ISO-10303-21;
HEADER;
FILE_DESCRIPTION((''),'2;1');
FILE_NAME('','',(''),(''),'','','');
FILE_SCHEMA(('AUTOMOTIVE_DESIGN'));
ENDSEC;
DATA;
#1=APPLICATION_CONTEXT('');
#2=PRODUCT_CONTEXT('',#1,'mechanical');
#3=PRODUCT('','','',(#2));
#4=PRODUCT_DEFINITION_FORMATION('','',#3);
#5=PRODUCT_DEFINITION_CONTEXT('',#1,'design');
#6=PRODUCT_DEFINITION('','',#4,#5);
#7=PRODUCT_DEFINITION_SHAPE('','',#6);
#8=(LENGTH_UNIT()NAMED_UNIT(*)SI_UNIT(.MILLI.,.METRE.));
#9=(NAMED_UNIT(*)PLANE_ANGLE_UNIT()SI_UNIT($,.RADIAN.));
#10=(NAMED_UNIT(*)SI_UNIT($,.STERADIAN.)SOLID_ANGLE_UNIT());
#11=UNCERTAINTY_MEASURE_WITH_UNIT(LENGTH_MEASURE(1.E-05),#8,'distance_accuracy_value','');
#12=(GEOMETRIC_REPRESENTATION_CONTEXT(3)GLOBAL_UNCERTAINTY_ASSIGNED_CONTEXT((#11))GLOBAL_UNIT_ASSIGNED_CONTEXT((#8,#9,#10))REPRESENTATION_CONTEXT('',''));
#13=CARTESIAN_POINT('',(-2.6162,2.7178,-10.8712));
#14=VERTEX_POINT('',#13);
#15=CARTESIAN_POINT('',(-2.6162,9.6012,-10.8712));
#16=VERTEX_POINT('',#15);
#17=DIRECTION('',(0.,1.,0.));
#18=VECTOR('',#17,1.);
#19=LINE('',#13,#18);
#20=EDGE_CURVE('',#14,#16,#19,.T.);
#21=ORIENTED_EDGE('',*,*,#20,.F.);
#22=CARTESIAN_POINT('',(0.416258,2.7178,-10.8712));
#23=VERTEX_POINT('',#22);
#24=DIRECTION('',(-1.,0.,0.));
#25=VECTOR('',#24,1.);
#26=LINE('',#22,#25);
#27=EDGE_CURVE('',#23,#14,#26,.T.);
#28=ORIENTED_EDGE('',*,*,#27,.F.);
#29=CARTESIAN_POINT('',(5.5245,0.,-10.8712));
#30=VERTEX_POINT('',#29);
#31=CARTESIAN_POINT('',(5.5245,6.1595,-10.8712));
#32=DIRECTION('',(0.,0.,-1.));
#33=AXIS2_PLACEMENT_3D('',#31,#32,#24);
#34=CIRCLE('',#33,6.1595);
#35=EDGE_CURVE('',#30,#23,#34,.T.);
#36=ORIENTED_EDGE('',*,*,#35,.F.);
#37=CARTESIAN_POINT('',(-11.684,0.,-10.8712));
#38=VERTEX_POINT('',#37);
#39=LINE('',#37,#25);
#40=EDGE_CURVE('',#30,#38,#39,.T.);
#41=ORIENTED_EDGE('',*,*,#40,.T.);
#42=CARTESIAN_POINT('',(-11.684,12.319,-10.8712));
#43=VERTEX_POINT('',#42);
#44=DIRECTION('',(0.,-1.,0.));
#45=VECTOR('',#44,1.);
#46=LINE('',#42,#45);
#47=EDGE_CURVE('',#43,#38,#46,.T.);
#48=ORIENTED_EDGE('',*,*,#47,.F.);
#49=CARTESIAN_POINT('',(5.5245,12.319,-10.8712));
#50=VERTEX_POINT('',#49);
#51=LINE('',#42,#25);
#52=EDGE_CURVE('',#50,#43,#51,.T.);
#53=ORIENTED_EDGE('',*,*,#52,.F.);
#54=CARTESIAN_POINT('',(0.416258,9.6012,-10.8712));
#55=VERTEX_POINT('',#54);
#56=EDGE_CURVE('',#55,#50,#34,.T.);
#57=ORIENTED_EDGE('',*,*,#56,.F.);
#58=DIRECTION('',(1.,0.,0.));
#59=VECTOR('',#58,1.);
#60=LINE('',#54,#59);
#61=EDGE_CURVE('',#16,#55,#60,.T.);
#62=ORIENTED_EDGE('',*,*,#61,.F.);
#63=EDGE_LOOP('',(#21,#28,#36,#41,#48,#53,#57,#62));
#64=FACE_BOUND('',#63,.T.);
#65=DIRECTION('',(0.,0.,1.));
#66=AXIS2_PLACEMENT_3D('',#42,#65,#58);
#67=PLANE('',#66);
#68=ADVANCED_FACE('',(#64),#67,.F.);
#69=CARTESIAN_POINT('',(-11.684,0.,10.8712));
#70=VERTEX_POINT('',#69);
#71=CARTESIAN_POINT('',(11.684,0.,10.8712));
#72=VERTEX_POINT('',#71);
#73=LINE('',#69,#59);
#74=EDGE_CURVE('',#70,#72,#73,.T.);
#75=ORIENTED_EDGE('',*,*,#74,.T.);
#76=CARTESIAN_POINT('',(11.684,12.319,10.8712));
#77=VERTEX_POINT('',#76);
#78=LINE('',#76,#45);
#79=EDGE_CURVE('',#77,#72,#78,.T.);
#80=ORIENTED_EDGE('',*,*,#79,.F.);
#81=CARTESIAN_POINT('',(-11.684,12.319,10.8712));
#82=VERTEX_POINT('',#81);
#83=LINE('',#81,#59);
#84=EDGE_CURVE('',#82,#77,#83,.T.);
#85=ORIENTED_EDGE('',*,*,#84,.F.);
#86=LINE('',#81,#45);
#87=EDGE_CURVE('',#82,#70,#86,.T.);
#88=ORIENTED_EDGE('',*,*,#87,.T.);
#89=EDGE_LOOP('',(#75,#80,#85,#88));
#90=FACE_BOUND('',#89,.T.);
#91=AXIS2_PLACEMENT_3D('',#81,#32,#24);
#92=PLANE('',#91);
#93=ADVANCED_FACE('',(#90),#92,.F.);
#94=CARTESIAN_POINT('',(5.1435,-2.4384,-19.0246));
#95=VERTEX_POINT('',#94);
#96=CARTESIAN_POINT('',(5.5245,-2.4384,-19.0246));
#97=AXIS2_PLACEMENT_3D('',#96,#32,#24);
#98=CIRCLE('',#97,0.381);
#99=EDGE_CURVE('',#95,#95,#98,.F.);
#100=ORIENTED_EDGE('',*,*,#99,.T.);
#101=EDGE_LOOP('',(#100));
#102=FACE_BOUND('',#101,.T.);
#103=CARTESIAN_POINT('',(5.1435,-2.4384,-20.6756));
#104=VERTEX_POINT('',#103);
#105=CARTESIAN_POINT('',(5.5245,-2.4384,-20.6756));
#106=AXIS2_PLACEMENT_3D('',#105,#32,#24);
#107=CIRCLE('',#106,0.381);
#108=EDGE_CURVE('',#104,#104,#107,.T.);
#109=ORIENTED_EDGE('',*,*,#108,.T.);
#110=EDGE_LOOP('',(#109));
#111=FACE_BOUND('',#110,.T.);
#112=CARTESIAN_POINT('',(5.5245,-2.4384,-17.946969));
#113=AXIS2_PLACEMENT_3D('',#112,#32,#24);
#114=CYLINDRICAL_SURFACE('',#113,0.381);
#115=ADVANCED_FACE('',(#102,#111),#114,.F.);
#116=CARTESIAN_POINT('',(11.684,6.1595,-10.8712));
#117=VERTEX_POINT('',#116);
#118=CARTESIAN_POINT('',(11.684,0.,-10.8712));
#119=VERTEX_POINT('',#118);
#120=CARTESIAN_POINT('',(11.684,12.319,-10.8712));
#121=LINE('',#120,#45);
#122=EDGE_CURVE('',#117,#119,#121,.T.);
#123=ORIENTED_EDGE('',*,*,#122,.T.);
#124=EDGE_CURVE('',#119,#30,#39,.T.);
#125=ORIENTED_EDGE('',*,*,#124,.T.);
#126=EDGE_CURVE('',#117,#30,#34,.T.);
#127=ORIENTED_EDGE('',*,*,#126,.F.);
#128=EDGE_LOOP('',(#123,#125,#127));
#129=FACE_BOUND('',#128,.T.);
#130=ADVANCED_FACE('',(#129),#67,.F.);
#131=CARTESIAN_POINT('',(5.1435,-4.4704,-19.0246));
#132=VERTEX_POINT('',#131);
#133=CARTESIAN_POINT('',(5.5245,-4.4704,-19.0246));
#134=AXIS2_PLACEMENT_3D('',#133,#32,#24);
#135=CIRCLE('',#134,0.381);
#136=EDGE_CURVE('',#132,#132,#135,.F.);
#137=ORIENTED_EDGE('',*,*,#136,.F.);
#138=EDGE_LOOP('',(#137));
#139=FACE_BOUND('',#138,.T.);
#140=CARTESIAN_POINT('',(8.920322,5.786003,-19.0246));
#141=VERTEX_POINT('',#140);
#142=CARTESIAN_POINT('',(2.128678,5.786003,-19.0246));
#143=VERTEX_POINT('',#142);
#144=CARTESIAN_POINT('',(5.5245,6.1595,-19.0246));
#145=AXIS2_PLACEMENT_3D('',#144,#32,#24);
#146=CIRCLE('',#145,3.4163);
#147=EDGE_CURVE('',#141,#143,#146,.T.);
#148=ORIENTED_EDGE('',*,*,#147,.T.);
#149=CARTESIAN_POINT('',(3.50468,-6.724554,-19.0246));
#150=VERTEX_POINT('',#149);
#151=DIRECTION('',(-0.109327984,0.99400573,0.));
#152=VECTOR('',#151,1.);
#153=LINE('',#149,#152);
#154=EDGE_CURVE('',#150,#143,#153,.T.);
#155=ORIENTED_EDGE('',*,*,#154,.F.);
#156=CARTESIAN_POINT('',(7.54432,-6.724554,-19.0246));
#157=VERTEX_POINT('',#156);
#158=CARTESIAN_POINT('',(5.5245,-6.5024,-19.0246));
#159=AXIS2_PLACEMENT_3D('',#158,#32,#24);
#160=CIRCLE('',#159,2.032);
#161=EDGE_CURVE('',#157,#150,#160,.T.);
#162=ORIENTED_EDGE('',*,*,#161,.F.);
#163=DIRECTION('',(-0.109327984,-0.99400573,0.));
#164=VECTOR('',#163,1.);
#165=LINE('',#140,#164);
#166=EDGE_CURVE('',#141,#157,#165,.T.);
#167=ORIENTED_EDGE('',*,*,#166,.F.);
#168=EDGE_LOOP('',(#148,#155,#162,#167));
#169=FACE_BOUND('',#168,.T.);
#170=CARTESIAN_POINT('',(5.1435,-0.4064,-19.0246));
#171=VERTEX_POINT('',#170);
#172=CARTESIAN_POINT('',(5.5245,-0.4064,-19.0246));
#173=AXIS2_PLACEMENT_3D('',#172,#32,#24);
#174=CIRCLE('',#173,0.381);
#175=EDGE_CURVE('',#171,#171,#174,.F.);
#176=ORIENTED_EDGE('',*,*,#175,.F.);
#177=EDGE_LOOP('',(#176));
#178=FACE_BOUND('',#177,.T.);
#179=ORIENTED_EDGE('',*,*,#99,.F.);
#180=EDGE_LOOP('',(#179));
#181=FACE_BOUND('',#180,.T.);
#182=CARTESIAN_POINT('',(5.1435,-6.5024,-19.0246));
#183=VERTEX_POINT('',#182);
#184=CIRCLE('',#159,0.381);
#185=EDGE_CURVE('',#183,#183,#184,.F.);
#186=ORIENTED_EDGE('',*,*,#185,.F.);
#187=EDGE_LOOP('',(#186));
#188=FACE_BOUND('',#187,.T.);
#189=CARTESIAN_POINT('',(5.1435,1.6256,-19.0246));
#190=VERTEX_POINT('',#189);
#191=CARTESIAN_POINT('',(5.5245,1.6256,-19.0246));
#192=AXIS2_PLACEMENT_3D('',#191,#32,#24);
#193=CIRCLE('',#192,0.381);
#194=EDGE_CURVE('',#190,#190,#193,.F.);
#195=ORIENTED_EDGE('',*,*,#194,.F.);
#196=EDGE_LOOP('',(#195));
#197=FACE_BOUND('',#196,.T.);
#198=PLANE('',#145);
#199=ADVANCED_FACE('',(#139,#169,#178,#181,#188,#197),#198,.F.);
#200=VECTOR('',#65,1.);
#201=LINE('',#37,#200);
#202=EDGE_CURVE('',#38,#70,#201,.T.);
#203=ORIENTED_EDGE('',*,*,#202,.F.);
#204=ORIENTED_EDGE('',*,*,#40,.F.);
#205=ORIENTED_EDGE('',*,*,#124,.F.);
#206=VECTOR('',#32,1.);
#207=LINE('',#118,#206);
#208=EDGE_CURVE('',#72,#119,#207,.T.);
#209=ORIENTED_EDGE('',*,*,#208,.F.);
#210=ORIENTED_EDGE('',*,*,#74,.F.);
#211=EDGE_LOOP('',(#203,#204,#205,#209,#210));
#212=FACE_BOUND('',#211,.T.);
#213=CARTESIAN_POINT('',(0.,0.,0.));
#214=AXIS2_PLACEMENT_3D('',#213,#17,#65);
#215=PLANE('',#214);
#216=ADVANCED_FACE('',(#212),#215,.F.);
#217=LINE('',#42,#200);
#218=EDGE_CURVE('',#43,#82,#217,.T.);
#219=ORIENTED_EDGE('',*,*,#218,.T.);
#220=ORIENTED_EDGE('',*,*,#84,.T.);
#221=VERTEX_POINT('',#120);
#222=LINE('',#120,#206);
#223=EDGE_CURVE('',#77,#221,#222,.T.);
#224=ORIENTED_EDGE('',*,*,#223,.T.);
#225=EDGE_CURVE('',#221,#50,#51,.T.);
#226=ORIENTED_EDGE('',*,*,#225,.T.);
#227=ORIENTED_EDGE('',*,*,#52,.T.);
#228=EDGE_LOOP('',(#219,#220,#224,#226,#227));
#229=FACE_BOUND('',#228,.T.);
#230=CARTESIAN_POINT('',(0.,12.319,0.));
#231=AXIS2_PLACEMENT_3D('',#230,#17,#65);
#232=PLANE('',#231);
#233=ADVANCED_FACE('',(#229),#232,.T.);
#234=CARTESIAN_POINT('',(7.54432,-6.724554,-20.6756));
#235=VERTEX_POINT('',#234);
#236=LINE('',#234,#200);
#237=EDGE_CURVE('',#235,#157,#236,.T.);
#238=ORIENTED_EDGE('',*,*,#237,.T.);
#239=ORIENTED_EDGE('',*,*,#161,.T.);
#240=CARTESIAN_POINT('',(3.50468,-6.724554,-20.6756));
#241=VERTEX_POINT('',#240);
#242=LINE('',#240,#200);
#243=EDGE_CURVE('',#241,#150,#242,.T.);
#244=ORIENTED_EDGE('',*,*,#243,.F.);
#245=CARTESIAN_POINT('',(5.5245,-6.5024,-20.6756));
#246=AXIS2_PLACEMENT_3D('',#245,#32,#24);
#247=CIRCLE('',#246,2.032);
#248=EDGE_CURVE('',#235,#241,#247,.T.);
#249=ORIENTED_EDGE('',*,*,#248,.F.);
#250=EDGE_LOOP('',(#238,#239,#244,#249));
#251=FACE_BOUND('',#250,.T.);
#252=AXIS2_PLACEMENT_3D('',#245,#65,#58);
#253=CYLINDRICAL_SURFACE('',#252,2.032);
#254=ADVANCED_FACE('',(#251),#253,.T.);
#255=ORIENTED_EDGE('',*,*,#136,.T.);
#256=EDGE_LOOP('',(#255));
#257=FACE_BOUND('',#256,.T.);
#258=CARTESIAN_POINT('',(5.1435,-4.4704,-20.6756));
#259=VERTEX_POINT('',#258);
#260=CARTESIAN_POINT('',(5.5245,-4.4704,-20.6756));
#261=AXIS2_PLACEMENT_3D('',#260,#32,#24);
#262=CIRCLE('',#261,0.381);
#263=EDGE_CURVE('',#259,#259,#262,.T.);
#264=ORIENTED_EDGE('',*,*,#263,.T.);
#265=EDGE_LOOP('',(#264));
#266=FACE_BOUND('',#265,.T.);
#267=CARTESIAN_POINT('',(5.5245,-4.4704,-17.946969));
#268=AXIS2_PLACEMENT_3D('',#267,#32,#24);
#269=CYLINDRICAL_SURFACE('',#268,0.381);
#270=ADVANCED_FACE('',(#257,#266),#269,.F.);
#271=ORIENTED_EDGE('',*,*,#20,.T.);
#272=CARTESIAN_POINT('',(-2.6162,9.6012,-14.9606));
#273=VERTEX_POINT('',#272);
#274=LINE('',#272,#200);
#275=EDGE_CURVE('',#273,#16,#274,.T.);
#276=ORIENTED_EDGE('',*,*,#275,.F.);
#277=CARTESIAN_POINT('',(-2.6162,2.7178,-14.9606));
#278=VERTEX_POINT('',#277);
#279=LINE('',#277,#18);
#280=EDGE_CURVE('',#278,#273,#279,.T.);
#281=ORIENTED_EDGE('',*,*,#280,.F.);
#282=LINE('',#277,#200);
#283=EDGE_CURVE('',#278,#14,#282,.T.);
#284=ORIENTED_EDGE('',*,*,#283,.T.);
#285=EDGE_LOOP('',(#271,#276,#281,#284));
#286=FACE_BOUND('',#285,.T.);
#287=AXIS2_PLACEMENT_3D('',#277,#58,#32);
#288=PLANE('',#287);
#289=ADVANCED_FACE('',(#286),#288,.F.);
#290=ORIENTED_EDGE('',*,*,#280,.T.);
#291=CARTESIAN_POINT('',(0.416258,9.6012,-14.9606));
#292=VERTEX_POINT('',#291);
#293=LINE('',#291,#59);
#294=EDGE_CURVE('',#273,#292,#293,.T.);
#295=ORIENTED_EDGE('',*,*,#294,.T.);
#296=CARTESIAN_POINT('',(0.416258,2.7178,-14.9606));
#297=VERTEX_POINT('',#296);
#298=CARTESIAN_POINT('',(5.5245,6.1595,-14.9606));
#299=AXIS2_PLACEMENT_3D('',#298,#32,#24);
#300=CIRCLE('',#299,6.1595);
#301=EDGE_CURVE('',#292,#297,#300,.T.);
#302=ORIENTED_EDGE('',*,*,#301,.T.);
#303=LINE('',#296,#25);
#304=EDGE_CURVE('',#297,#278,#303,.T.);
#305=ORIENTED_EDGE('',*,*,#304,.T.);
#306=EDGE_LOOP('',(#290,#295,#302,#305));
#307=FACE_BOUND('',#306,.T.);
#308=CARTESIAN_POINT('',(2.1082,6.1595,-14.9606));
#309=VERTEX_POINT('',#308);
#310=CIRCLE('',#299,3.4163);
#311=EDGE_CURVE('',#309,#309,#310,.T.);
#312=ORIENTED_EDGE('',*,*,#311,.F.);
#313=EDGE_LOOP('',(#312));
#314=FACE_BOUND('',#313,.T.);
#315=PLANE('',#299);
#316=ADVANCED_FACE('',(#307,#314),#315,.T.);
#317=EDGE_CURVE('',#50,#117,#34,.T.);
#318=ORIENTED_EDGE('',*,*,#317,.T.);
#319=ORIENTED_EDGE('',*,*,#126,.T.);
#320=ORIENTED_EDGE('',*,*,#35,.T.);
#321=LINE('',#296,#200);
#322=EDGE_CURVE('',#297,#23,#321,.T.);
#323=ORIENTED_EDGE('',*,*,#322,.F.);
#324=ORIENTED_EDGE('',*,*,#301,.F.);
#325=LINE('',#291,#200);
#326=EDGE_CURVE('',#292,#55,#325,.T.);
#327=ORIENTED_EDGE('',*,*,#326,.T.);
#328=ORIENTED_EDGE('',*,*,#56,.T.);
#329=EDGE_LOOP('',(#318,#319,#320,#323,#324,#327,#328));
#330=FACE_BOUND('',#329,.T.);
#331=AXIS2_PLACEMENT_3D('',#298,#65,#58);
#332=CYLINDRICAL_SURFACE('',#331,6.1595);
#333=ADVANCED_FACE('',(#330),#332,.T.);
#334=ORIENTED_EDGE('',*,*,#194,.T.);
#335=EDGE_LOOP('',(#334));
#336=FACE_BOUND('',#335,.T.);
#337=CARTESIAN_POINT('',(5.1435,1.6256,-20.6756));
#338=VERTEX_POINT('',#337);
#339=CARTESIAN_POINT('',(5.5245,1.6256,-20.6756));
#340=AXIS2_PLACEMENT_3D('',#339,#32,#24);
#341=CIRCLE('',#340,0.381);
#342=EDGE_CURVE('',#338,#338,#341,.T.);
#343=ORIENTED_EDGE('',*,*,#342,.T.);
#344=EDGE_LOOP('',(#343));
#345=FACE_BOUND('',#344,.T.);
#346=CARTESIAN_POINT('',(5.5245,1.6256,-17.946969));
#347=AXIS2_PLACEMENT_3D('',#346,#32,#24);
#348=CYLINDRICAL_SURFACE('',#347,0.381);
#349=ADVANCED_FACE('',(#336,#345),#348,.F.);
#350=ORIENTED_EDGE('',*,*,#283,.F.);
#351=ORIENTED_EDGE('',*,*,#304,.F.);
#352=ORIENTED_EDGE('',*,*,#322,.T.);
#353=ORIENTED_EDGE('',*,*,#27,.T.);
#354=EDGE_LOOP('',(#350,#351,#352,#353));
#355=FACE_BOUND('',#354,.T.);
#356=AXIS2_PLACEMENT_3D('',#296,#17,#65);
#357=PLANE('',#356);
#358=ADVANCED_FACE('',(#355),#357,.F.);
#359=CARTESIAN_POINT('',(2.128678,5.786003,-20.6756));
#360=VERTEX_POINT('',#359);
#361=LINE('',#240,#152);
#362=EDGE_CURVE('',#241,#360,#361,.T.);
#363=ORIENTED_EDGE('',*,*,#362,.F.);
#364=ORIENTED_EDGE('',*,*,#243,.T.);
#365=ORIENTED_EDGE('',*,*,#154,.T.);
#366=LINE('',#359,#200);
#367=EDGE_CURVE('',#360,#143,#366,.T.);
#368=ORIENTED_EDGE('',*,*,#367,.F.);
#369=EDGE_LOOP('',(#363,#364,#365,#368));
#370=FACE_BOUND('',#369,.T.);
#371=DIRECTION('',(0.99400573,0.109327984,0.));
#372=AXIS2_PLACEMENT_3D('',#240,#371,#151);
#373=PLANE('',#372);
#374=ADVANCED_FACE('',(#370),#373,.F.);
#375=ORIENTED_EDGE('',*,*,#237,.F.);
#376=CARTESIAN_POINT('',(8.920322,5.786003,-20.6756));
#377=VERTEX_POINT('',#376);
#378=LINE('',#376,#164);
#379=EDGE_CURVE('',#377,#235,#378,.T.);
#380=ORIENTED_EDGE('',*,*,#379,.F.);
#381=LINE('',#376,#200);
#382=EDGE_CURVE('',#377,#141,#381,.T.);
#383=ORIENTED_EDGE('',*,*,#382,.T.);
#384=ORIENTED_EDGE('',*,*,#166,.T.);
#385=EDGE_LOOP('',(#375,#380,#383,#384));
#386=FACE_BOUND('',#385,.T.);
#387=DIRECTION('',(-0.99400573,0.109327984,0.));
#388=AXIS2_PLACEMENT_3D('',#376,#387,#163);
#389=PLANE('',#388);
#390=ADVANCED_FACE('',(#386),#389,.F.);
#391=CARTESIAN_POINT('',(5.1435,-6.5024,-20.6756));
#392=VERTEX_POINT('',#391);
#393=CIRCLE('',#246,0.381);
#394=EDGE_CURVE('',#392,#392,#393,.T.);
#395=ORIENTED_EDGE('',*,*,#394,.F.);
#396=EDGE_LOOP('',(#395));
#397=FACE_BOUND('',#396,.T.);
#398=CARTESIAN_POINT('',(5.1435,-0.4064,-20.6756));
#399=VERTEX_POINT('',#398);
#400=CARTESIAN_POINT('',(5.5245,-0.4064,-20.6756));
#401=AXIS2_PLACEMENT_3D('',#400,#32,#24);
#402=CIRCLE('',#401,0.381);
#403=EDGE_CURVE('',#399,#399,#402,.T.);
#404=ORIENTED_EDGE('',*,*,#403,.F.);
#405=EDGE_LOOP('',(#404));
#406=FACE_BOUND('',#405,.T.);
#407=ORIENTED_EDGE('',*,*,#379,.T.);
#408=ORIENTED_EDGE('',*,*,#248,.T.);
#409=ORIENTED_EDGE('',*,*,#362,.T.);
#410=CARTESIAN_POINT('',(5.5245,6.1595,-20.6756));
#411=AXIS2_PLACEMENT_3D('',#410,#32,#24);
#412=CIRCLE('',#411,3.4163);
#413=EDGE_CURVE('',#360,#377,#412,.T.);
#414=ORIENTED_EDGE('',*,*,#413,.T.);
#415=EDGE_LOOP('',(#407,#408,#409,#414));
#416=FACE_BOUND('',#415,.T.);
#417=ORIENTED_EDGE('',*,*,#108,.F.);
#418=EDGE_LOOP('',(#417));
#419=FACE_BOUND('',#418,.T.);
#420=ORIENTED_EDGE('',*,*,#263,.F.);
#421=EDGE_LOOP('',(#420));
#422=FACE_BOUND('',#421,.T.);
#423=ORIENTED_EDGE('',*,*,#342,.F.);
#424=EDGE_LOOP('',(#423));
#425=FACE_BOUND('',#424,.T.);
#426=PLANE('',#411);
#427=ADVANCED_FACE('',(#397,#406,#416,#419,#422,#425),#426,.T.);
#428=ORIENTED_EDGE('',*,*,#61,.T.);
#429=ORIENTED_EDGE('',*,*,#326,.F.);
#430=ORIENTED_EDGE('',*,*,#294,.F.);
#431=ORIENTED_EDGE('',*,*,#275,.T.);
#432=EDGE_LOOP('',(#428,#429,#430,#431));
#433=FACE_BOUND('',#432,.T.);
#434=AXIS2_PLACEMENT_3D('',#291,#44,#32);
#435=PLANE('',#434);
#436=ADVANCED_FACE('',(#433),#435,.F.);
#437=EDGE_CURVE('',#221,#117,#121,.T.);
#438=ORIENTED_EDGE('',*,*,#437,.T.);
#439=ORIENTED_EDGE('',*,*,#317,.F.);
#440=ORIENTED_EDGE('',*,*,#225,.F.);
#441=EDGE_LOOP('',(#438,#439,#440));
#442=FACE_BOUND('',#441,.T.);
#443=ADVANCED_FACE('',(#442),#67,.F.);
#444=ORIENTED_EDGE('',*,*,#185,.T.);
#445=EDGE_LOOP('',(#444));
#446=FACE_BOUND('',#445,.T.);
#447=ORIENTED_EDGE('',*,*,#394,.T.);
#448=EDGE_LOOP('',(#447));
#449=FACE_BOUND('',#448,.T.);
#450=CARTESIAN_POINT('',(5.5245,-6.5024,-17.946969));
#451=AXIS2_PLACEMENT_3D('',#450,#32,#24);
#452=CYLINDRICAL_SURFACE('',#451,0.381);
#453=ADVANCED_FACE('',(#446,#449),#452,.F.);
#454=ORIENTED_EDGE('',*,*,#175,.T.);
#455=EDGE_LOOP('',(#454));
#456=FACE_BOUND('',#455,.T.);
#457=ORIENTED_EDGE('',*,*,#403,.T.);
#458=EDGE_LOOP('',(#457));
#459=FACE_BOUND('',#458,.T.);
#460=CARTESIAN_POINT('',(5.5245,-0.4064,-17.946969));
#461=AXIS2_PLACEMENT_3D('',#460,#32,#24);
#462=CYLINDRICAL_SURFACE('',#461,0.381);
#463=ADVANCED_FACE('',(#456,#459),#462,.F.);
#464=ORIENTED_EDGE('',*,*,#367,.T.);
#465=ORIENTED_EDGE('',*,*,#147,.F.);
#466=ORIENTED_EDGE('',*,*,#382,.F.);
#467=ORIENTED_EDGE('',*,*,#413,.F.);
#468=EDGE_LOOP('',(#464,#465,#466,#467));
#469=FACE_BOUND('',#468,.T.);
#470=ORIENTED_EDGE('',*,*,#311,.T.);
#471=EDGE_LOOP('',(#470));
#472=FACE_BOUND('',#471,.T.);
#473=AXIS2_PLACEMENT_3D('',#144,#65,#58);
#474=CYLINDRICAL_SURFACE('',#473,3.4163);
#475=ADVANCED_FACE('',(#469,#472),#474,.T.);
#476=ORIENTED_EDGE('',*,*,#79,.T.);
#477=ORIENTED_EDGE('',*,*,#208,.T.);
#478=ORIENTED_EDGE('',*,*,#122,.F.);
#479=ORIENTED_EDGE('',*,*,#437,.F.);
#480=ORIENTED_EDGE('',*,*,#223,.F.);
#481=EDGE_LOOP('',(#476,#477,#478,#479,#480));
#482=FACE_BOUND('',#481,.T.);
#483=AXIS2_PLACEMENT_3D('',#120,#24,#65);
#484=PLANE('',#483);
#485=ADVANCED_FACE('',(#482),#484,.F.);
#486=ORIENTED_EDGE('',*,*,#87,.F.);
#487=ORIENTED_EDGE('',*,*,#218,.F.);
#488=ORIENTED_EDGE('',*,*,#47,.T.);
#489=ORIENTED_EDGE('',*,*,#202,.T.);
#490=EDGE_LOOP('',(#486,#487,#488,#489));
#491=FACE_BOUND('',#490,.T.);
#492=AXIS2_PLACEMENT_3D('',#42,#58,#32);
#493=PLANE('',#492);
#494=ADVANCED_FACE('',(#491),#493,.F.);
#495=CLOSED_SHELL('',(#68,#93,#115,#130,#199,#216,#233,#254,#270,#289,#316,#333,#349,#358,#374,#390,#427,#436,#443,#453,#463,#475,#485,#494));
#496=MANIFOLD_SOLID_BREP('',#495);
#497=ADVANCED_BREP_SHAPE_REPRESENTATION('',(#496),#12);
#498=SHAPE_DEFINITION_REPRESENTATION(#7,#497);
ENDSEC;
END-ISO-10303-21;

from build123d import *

# Parameters (mm, degrees)
SKETCH1_W           = 23.368
SKETCH1_H           = 21.7424
BOSS_EXTRUDE1_DEPTH = 12.319
BOSS_EXTRUDE2_DEPTH = 4.0894
SKETCH3_R           = 3.4163
BOSS_EXTRUDE3_DEPTH = 4.064
BOSS_EXTRUDE4_DEPTH = 1.651
CUT_EXTRUDE1_START  = -1.651
SKETCH5_R           = 0.381
CUT_EXTRUDE1_DEPTH  = 1.651


with BuildPart() as part:
    # Sketch1 → Boss-Extrude1 (new body)
    with BuildSketch(Plane(origin=(0, 0, 0), x_dir=(1, 0, 0), z_dir=(0, 1, 0))):
        Rectangle(SKETCH1_W, SKETCH1_H)
    extrude(amount=BOSS_EXTRUDE1_DEPTH)

    # Sketch2 → Boss-Extrude2 (add)
    with BuildSketch(Plane(origin=(0, 0, -10.8712), x_dir=(-1, 0, 0), z_dir=(0, 0, -1))):
        with BuildLine():
            Line((-0.416257508, 2.7178), (2.6162, 2.7178))
            Line((2.6162, 2.7178), (2.6162, 9.6012))
            Line((2.6162, 9.6012), (-0.416257508, 9.6012))
            ThreePointArc((-0.416257508, 9.6012), (-11.684, 6.1595), (-0.416257508, 2.7178))
        make_face()
    extrude(amount=BOSS_EXTRUDE2_DEPTH)

    # Sketch3 → Boss-Extrude3 (add)
    with BuildSketch(Plane(origin=(0, 0, -14.9606), x_dir=(-1, 0, 0), z_dir=(0, 0, -1))):
        with Locations((-5.5245, 6.1595)):
            Circle(SKETCH3_R)
    extrude(amount=BOSS_EXTRUDE3_DEPTH)

    # Sketch4 → Boss-Extrude4 (add)
    with BuildSketch(Plane(origin=(0, 0, -19.0246), x_dir=(-1, 0, 0), z_dir=(0, 0, -1))):
        with BuildLine():
            Line((-8.920321777, 5.786002808), (-7.544319644, -6.724554463))
            ThreePointArc((-7.544319644, -6.724554463), (-5.5245, -8.5344), (-3.504680356, -6.724554463))
            Line((-3.504680356, -6.724554463), (-2.128678223, 5.786002808))
            ThreePointArc((-2.128678223, 5.786002808), (-5.5245, 9.5758), (-8.920321777, 5.786002808))
        make_face()
    extrude(amount=BOSS_EXTRUDE4_DEPTH)

    # Sketch5 → Cut-Extrude1 (cut)
    with BuildSketch(Plane(origin=(0, 0, -20.6756), x_dir=(-1, 0, 0), z_dir=(0, 0, -1)).offset(CUT_EXTRUDE1_START)):
        with Locations((-5.5245, -6.5024)):
            Circle(SKETCH5_R)
        with Locations((-5.5245, -4.4704)):
            Circle(SKETCH5_R)
        with Locations((-5.5245, -2.4384)):
            Circle(SKETCH5_R)
        with Locations((-5.5245, -0.4064)):
            Circle(SKETCH5_R)
        with Locations((-5.5245, 1.6256)):
            Circle(SKETCH5_R)
    extrude(amount=CUT_EXTRUDE1_DEPTH, mode=Mode.SUBTRACT)


solid = part.part
